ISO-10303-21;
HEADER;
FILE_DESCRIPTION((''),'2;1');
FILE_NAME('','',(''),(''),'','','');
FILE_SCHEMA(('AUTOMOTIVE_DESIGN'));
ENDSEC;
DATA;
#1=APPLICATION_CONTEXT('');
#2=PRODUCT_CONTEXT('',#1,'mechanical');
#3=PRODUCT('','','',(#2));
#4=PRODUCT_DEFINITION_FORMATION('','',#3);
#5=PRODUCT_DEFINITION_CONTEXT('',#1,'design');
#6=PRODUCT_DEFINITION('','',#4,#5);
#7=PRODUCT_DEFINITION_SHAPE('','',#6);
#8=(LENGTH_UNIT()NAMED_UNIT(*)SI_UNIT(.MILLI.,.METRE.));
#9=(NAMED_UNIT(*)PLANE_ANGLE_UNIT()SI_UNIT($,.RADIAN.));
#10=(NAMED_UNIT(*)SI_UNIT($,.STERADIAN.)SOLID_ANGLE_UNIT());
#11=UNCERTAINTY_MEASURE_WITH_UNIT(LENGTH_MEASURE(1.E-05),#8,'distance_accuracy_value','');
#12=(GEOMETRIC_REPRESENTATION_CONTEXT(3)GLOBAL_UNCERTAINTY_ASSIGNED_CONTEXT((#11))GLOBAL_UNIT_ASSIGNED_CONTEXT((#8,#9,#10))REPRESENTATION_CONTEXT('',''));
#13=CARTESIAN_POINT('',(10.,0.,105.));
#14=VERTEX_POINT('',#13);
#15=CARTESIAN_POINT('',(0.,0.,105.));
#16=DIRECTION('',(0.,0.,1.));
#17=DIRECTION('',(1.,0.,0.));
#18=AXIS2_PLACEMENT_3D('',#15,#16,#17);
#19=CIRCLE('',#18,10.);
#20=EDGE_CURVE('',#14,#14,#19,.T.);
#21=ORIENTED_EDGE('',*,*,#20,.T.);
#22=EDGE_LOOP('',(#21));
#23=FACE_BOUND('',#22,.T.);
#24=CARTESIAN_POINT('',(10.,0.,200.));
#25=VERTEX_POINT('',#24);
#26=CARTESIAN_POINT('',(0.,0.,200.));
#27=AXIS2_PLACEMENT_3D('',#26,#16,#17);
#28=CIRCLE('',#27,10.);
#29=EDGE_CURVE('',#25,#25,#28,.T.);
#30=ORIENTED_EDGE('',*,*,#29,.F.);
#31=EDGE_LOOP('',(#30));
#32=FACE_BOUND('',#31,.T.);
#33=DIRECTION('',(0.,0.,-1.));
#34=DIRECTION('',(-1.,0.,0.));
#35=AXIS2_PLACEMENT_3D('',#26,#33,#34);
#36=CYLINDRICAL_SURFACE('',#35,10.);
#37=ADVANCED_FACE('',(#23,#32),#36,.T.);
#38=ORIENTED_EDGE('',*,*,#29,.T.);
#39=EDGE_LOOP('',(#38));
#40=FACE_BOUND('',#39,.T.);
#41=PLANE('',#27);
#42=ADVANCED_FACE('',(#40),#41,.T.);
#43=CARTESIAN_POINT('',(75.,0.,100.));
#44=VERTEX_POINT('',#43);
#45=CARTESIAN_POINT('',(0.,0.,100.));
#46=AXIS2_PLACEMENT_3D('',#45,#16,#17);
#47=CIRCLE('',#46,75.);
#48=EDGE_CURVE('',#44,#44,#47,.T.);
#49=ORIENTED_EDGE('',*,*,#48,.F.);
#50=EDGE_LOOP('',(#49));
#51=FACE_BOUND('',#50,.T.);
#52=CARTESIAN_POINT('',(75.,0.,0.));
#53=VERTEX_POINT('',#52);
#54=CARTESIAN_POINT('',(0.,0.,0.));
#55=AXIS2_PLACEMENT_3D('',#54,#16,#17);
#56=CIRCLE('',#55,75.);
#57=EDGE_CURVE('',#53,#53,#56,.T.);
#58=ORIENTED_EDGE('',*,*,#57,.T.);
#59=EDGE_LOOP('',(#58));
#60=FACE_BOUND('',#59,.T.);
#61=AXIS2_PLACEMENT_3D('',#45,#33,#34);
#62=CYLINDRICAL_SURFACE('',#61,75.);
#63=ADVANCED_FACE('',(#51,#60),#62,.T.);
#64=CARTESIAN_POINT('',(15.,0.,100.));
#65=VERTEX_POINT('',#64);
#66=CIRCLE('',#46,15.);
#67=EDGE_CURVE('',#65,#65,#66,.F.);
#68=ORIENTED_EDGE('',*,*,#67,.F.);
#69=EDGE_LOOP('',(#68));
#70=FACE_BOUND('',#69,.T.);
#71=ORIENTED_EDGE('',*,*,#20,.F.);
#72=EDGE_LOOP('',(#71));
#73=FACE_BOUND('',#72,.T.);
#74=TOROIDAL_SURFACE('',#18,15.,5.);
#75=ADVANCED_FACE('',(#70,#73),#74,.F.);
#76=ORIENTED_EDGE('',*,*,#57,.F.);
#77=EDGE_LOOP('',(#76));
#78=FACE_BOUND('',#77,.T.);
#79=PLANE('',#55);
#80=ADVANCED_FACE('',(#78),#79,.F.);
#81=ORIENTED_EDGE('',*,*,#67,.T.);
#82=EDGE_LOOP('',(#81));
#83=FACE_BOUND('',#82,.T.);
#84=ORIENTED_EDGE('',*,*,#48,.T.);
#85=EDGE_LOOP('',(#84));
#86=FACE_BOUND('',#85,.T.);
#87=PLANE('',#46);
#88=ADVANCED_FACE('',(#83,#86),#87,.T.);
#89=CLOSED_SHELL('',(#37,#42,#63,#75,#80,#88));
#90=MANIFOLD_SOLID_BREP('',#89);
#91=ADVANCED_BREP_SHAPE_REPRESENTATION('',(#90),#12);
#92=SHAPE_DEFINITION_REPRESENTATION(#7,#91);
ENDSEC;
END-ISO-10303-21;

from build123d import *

# Parameters (mm, degrees)
SKETCH_1_R      = 75
EXTRUDE_1_DEPTH = 100
SKETCH_2_R      = 10
EXTRUDE_2_DEPTH = 100
FILLET_1_R      = 5


with BuildPart() as part:
    # 草图1 → 凸台-拉伸1 (new body)
    with BuildSketch(Plane.XY):
        Circle(SKETCH_1_R)
    extrude(amount=EXTRUDE_1_DEPTH)

    # 草图2 → 凸台-拉伸2 (add)
    with BuildSketch(Plane.XY.offset(100)):
        Circle(SKETCH_2_R)
    extrude(amount=EXTRUDE_2_DEPTH)

    # 圆角1
    fillet_1_edges = [part.edges().sort_by_distance(p)[0] for p in [
        (-10, 0, 100),
    ]]
    fillet(fillet_1_edges, radius=FILLET_1_R)


solid = part.part
